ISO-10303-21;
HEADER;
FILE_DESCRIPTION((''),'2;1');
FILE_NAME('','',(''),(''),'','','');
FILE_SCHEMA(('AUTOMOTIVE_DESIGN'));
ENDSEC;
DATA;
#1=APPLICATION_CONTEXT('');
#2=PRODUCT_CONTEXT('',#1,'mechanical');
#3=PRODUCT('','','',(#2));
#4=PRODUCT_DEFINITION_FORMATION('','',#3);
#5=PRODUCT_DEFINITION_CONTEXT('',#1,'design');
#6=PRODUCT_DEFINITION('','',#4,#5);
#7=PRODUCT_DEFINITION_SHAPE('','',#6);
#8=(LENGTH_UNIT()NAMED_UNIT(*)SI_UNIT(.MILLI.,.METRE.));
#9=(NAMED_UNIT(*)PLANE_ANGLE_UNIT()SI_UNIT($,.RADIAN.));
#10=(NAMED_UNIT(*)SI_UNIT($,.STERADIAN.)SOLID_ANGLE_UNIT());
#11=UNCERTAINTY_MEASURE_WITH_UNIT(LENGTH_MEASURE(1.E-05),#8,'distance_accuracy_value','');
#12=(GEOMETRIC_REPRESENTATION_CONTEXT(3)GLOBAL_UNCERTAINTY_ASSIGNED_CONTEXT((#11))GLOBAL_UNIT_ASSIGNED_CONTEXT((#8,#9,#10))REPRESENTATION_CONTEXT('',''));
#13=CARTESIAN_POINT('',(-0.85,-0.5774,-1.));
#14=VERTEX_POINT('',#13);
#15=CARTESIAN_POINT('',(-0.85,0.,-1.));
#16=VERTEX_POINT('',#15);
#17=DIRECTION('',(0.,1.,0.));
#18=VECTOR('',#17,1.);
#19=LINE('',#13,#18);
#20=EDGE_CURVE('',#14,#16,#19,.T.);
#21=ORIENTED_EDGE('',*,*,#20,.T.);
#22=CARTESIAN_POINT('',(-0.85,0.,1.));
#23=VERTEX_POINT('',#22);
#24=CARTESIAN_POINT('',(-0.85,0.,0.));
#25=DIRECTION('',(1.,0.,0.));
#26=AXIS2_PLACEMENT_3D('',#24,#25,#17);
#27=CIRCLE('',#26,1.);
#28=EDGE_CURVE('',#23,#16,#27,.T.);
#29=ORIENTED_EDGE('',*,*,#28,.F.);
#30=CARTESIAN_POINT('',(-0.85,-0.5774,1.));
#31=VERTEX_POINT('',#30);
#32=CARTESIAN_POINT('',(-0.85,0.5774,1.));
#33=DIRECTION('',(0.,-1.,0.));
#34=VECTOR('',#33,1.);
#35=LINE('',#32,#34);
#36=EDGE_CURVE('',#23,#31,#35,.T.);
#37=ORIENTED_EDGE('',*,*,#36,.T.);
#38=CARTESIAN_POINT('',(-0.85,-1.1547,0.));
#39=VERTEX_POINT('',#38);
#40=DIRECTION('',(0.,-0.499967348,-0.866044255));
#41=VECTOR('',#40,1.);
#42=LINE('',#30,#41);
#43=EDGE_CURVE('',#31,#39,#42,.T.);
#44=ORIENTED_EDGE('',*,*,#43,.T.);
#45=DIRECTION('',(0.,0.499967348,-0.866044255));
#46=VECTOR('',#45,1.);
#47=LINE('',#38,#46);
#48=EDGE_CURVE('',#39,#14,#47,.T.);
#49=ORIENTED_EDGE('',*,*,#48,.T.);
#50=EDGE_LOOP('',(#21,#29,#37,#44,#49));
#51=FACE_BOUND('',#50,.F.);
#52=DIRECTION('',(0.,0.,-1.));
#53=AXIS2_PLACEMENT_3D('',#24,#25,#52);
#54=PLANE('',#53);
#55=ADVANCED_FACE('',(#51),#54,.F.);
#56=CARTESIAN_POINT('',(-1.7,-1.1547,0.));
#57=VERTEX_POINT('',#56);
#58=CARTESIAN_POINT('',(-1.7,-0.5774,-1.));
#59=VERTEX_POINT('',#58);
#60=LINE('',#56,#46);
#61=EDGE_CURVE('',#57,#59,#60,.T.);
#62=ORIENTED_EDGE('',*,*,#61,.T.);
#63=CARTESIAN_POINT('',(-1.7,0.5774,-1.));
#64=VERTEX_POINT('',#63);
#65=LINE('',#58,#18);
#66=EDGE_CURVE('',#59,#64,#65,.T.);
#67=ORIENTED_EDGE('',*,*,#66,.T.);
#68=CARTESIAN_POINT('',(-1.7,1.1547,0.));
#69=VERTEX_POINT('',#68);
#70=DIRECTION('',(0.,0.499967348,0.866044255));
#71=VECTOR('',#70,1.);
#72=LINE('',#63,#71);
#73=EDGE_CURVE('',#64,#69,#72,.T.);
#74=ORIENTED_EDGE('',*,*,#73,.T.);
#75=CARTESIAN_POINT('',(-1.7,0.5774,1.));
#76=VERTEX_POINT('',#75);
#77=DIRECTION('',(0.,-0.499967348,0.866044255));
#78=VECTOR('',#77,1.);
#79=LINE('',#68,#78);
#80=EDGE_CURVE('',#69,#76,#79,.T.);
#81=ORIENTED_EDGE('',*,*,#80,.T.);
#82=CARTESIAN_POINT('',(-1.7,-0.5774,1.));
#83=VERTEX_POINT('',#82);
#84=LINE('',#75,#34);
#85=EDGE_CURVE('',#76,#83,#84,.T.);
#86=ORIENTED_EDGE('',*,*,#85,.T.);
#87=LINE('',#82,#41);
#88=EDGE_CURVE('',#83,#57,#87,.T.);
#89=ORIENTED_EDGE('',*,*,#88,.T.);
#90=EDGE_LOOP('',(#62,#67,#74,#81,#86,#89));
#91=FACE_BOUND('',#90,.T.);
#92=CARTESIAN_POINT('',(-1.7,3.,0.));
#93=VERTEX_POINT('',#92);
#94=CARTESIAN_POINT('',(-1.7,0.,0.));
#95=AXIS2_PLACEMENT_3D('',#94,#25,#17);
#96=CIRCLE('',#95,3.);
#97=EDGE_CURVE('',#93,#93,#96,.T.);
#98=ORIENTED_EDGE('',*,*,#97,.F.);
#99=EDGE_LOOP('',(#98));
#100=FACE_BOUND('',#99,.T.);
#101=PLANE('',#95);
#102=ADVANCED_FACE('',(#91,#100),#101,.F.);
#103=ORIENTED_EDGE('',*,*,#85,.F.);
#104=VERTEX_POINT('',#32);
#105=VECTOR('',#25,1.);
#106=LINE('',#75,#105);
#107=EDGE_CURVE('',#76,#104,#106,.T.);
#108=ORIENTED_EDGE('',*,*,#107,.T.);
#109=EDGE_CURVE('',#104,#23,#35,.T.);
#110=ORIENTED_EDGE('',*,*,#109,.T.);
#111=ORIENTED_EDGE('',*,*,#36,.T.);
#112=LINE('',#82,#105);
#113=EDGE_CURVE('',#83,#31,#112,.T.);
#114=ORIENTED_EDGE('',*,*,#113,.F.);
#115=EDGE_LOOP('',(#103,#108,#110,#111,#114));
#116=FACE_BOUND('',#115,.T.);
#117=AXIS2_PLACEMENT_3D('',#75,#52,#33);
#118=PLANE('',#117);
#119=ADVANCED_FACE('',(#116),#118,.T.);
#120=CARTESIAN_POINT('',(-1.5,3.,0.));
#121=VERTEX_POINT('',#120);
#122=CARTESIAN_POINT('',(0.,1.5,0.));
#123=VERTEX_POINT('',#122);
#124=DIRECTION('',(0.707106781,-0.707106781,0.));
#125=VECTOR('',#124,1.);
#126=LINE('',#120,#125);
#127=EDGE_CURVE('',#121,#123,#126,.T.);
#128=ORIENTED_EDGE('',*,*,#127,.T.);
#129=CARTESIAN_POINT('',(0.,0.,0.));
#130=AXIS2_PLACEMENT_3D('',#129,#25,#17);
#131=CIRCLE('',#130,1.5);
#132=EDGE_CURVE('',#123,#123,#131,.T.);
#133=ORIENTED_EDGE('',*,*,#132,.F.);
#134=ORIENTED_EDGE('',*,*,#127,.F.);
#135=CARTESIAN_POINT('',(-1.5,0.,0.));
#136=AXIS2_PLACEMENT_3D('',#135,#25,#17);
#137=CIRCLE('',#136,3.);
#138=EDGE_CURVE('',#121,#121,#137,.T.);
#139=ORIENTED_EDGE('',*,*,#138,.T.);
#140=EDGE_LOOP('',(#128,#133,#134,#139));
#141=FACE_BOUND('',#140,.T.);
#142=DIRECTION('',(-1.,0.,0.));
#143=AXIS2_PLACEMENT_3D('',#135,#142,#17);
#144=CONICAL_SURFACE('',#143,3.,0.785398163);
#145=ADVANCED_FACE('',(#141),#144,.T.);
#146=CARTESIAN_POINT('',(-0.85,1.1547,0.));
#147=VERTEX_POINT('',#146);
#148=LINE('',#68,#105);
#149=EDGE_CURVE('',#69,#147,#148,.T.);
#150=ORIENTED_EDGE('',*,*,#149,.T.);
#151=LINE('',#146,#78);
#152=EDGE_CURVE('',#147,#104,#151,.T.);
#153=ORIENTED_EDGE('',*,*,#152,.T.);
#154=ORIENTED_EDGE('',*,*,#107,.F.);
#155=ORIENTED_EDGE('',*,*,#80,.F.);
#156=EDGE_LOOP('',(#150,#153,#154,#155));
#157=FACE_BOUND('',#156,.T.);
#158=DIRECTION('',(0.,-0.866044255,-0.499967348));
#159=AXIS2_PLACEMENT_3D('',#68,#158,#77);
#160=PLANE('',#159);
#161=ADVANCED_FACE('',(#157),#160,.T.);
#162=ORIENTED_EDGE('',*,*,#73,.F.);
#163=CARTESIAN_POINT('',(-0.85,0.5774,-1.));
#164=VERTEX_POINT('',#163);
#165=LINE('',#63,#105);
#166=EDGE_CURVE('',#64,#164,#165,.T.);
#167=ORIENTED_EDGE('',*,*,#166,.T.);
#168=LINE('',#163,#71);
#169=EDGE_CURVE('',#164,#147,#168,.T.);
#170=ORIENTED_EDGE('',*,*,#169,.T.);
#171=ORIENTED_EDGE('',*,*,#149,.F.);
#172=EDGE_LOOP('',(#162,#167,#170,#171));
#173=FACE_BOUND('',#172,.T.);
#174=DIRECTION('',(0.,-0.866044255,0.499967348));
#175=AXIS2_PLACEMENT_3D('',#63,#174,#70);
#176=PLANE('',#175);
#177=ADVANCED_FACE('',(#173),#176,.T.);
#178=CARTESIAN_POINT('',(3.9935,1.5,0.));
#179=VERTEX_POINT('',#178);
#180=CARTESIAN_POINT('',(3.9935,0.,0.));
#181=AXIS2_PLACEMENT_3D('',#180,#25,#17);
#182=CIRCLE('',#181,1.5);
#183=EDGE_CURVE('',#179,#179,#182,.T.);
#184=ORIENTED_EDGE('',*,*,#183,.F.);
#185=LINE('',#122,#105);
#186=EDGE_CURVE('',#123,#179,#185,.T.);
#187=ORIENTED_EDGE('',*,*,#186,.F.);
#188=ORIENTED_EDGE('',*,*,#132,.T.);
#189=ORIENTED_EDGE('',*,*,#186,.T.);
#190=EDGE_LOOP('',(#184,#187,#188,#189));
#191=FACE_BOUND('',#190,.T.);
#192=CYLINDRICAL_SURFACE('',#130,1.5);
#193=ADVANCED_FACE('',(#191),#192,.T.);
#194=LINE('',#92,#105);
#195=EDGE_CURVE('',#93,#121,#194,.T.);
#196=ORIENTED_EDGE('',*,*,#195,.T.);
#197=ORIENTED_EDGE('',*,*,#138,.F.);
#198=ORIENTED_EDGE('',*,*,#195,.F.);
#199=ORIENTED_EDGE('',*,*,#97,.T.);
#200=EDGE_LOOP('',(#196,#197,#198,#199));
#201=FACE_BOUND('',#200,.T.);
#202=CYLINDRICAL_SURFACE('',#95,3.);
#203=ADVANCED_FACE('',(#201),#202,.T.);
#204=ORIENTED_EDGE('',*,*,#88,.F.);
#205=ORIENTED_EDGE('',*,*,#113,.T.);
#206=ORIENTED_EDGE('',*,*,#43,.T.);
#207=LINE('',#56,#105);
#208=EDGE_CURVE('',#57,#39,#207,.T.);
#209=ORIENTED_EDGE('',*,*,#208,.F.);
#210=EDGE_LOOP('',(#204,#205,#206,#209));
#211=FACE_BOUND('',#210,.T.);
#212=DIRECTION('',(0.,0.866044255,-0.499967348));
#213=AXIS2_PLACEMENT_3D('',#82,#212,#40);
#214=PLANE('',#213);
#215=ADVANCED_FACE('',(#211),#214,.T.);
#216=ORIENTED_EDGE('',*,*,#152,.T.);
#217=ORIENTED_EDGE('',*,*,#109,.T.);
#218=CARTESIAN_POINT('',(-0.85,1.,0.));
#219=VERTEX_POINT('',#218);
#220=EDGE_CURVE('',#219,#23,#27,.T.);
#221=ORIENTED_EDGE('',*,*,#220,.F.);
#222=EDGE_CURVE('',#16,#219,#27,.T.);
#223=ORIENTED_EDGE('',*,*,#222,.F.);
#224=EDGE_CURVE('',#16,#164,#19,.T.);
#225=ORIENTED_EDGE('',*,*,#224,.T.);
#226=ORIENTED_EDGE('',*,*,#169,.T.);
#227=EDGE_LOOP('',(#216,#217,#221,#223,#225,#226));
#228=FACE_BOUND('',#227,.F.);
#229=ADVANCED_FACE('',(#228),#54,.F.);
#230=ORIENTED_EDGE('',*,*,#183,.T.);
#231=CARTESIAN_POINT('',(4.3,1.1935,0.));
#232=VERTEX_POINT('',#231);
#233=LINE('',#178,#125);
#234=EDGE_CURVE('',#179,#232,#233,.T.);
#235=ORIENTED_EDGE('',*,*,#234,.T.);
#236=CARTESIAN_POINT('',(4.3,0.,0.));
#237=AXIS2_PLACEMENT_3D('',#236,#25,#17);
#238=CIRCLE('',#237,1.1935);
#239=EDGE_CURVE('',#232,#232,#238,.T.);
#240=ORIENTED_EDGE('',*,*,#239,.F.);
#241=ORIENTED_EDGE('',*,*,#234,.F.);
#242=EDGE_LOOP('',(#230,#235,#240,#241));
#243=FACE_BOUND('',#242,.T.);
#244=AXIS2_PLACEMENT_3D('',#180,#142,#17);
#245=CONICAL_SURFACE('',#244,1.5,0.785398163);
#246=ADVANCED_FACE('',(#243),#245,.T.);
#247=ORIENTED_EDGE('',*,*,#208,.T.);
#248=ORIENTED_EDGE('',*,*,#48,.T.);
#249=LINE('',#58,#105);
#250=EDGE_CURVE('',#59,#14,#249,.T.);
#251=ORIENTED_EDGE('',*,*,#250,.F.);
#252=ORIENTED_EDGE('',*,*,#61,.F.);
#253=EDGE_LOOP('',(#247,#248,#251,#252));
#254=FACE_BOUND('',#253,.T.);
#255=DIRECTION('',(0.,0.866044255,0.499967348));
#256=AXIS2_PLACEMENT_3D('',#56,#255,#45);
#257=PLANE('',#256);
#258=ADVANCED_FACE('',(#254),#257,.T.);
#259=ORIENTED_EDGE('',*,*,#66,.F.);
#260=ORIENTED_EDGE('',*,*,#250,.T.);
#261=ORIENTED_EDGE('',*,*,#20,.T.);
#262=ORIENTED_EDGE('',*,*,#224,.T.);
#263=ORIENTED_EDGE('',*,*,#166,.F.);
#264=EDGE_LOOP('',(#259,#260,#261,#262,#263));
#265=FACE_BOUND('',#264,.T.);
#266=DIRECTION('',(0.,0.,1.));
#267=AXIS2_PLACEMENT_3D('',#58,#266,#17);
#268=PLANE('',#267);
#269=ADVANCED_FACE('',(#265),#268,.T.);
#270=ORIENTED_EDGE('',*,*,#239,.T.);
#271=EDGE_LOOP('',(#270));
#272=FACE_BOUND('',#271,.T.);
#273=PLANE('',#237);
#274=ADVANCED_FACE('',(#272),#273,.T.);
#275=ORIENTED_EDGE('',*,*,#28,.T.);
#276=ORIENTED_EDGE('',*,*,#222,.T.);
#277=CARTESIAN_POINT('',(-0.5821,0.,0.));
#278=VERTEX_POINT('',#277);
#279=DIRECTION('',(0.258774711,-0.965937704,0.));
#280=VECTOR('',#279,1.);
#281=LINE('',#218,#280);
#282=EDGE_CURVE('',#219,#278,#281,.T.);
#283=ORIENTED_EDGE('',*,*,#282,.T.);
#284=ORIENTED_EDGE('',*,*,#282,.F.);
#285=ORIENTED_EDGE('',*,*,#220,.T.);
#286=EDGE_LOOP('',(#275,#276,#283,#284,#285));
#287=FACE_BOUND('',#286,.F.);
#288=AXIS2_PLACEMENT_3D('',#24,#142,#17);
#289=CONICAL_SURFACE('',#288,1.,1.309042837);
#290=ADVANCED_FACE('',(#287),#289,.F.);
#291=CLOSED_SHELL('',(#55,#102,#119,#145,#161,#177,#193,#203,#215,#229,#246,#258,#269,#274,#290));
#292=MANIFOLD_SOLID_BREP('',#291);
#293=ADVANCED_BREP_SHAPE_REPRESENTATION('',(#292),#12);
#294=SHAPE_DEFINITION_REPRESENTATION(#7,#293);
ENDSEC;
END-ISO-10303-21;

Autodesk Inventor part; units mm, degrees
sketch "Sketch_1" plane through (0, 0, 0) normal (0, 0, 1) x (1, 0, 0)
  line L0 (4.3, 0) -> (0, 0)
  line L1 (-1.7, 0) -> (-1.7, 3)
  line L2 (-1.7, 3) -> (-1.5, 3)
  line L3 (-1.5, 3) -> (0, 1.5)
  line L4 (0, 1.5) -> (3.9935, 1.5)
  line L5 (3.9935, 1.5) -> (4.3, 1.1935)
  line L6 (4.3, 1.1935) -> (4.3, 0)
  line L7 (4.3, 0) -> (-1.7, 0)
revolve "Revolution1" add sketch "Sketch_1" angle 360 about axis through (4.3, 0, 0) along (1, 0, 0)
thread "Thread1" size "M3x0.5" class "6g" standard "ISO Metric profile" length 3.8 offset 0.5
sketch "Sketch_4" plane through (0, 0, 0) normal (0, 0, 1) x (1, 0, 0)
  line L0 (-0.5821, 0) -> (-1.7, 0)
  line L1 (-1.7, 0) -> (-1.7, 1)
  line L2 (-1.7, 1) -> (-0.85, 1)
  line L3 (-0.85, 1) -> (-0.5821, 0)
  line L4 (-0.5821, 0) -> (-1.7, 0)
revolve "Revolution2" cut sketch "Sketch_4" angle 360 about axis through (-0.5821, 0, 0) along (1, 0, 0)
sketch "Sketch_3" plane through (-1.7, 0, 0) normal (1, 0, 0) x (0, 0, -1)
  line L0 (-1, 0.5774) -> (-1, -0.5774)
  line L1 (-1, -0.5774) -> (0, -1.1547)
  line L2 (0, -1.1547) -> (1, -0.5774)
  line L3 (1, -0.5774) -> (1, 0.5774)
  line L4 (1, 0.5774) -> (0, 1.1547)
  line L5 (0, 1.1547) -> (-1, 0.5774)
extrude "Extrusion1" cut sketch "Sketch_3" along normal blind 0.85
ref_plane "dummy_to_bolt_XY" through (0, 0, 0) normal (1, 0, 0) x (0, 0, -1)
ref_plane "dummy_to_bolt_YZ" through (0, 0, 0) normal (0, 0, -1) x (0, 1, 0)
ref_plane "dummy_to_bolt_ZX" through (0, 0, 0) normal (0, 1, 0) x (1, 0, 0)
ref_plane "bolt_to_nut_XY" through (4.3, 0, 0) normal (1, 0, 0) x (0, 0, -1)
ref_plane "bolt_to_nut_YZ" through (4.3, 0, 0) normal (0, 0, -1) x (0, 1, 0)
ref_plane "bolt_to_nut_ZX" through (4.3, 0, 0) normal (0, 1, 0) x (1, 0, 0)
properties part number "HFBCM3-6"
